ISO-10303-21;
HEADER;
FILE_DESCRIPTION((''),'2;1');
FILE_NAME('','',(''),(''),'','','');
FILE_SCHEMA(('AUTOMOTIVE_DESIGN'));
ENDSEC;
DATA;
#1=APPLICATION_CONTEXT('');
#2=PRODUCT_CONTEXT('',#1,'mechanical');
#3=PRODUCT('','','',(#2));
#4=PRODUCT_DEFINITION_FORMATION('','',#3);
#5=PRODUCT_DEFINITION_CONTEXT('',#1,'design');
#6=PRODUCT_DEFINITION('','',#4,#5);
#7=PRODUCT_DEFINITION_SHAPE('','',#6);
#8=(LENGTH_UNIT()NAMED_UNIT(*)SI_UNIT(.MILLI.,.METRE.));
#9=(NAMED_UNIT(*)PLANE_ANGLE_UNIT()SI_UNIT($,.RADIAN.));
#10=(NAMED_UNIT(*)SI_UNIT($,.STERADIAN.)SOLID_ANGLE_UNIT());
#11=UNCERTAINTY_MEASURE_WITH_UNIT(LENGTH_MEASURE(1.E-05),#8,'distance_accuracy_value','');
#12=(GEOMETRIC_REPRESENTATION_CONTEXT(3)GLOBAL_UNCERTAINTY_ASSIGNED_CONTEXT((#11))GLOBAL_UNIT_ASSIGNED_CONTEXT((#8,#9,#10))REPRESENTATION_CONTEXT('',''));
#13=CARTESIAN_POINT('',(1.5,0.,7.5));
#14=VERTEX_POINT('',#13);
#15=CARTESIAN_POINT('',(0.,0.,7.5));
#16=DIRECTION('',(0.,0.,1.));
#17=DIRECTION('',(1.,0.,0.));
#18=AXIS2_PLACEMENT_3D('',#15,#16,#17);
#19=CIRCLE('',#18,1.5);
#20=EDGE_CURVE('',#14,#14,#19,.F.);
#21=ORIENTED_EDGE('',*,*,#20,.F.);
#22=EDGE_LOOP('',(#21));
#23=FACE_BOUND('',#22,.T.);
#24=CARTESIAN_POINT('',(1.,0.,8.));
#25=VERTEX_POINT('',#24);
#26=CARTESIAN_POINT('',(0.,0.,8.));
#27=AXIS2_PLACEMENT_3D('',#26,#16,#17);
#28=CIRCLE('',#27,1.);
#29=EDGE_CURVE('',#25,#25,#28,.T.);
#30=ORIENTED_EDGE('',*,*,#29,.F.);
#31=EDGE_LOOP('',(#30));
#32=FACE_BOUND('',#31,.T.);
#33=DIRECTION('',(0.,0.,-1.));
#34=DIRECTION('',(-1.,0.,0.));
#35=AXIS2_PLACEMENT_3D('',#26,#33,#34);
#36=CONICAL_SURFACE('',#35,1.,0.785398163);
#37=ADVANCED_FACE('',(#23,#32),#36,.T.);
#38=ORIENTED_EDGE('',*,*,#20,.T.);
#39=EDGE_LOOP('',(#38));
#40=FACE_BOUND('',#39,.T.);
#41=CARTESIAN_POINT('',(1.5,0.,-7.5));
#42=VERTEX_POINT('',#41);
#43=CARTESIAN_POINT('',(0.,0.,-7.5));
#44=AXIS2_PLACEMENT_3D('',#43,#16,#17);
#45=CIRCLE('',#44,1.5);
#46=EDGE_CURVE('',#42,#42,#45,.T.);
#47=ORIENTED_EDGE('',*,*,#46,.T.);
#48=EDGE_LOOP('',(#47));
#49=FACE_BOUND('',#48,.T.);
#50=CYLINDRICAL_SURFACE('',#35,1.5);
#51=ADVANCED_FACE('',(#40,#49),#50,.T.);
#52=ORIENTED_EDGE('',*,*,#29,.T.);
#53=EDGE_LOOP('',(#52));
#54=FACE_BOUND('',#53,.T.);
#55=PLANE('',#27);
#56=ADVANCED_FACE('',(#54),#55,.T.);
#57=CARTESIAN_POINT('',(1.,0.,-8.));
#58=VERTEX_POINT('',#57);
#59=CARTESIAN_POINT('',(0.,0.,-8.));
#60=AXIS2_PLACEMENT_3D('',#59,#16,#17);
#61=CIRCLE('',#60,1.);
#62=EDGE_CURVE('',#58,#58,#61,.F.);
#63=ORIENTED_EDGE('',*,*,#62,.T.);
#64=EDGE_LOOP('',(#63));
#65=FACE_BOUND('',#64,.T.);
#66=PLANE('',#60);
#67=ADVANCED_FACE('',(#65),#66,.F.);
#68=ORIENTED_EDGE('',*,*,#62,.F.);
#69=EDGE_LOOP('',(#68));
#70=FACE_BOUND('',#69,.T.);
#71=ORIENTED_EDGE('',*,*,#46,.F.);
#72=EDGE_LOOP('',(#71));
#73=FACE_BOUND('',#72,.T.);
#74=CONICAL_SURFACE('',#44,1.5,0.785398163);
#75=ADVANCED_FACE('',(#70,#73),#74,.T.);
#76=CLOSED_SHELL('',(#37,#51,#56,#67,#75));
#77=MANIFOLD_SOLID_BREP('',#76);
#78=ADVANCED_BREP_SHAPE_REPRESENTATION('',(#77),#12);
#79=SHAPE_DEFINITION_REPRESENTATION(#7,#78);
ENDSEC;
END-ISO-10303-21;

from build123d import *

# Parameters (mm, degrees)
ESQUISSE1_R        = 1.5
BOSS_EXTRU_1_DEPTH = 8
CHANFREIN1_SIZE    = 0.5


with BuildPart() as part:
    # Esquisse1 → Boss.-Extru.1 (new, symmetric)
    with BuildSketch(Plane.XY):
        Circle(ESQUISSE1_R)
    extrude(amount=BOSS_EXTRU_1_DEPTH, both=True)

    # Chanfrein1
    chanfrein1_edges = [part.edges().sort_by_distance(p)[0] for p in [
        (-1.5, 0, -8),
        (-1.5, 0, 8),
    ]]
    chamfer(chanfrein1_edges, length=CHANFREIN1_SIZE)


solid = part.part
